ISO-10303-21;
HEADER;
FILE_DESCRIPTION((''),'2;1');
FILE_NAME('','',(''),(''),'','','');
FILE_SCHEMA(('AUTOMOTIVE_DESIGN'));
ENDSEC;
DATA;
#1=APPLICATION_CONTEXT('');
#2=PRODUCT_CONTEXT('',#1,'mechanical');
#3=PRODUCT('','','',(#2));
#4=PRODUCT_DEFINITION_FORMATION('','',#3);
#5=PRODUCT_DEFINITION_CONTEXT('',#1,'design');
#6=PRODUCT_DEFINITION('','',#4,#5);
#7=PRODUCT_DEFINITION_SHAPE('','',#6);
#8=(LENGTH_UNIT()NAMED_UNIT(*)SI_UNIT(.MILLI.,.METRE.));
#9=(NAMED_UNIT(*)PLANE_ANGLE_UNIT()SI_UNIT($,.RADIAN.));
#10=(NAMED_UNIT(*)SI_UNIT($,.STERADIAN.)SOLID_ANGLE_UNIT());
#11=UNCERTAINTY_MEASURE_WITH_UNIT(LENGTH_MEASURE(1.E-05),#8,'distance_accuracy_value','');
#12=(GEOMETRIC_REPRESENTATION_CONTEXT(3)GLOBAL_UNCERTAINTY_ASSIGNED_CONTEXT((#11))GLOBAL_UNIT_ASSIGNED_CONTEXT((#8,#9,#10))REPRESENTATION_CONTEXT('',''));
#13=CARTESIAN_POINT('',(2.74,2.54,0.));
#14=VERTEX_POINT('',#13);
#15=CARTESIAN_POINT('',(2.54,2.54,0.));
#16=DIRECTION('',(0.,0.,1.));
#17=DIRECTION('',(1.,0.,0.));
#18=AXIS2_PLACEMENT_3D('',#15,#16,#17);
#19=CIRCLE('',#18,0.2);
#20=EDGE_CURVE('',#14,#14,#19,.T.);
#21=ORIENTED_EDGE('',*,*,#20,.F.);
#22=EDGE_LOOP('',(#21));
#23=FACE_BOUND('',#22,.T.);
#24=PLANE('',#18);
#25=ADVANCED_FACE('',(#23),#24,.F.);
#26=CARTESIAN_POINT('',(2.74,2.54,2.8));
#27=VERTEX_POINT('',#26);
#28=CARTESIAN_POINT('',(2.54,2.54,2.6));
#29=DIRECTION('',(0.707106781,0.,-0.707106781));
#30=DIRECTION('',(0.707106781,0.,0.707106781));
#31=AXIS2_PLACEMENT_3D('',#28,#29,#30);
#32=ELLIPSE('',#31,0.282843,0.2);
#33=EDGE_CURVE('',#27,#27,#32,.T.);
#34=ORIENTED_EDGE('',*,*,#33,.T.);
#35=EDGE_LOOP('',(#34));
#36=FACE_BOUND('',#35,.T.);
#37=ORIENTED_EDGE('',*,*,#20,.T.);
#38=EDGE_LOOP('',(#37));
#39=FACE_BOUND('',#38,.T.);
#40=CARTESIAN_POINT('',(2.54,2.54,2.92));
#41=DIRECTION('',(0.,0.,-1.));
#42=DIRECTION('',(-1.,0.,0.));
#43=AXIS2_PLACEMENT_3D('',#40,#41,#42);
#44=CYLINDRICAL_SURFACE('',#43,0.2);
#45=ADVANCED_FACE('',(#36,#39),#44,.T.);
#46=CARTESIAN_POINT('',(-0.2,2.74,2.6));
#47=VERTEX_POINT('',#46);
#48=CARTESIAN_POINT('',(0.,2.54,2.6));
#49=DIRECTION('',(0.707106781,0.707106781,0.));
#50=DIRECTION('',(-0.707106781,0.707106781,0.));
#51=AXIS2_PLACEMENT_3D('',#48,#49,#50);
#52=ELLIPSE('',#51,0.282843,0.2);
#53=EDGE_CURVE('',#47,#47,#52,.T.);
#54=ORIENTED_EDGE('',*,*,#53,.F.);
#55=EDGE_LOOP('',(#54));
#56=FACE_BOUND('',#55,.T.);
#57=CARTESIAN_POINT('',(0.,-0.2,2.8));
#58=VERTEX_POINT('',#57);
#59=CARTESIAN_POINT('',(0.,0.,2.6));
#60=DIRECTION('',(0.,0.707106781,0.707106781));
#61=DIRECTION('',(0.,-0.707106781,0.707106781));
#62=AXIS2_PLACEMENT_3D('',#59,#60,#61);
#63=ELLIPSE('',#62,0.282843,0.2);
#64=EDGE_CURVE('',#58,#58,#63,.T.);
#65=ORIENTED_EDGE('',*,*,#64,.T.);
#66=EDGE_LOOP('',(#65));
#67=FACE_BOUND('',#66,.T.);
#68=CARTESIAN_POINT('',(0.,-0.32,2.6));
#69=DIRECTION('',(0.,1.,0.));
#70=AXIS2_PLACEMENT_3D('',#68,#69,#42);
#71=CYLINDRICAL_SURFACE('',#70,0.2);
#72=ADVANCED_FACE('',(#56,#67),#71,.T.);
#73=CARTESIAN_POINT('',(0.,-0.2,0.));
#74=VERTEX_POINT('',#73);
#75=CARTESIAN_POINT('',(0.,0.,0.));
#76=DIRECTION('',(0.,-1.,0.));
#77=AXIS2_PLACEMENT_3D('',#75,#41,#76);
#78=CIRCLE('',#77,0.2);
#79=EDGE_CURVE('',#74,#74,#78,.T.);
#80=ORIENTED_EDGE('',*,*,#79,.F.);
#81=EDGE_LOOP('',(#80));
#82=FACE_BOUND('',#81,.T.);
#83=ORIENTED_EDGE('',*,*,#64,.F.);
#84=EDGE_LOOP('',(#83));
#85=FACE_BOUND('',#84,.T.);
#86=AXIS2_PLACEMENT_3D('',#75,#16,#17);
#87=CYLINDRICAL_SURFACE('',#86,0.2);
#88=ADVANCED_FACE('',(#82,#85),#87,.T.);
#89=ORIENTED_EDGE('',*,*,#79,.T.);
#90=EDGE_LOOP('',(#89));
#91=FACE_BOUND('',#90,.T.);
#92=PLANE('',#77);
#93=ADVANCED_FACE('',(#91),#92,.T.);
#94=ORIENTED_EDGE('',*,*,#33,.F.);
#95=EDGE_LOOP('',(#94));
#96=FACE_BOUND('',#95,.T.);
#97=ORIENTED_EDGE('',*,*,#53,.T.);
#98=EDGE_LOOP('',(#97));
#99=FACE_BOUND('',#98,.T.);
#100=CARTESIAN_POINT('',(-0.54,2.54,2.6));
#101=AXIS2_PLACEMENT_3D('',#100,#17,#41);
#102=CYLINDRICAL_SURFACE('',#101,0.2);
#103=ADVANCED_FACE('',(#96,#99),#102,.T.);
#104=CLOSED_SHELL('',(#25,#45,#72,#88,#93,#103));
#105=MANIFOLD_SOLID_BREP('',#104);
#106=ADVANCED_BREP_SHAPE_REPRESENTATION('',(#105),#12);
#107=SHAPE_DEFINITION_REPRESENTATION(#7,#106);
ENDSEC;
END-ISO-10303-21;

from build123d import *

# Parameters (mm, degrees)
SWEEP1_PROFILE_R = 0.2


with BuildPart() as part:
    # Sweep1: sweep along a curve in space
    with BuildLine() as sweep1_path:
        Line((0, 0, 0), (0, 0, 2.6))
        Line((0, 0, 2.6), (0, 2.54, 2.6))
        Line((0, 2.54, 2.6), (2.54, 2.54, 2.6))
        Line((2.54, 2.54, 2.6), (2.54, 2.54, 0))
    # Sweep1 profile (on start of the path) → Sweep1 (sweep)
    with BuildSketch(Plane.XY):
        Circle(SWEEP1_PROFILE_R)
    sweep(path=sweep1_path.line, transition=Transition.RIGHT)


solid = part.part
